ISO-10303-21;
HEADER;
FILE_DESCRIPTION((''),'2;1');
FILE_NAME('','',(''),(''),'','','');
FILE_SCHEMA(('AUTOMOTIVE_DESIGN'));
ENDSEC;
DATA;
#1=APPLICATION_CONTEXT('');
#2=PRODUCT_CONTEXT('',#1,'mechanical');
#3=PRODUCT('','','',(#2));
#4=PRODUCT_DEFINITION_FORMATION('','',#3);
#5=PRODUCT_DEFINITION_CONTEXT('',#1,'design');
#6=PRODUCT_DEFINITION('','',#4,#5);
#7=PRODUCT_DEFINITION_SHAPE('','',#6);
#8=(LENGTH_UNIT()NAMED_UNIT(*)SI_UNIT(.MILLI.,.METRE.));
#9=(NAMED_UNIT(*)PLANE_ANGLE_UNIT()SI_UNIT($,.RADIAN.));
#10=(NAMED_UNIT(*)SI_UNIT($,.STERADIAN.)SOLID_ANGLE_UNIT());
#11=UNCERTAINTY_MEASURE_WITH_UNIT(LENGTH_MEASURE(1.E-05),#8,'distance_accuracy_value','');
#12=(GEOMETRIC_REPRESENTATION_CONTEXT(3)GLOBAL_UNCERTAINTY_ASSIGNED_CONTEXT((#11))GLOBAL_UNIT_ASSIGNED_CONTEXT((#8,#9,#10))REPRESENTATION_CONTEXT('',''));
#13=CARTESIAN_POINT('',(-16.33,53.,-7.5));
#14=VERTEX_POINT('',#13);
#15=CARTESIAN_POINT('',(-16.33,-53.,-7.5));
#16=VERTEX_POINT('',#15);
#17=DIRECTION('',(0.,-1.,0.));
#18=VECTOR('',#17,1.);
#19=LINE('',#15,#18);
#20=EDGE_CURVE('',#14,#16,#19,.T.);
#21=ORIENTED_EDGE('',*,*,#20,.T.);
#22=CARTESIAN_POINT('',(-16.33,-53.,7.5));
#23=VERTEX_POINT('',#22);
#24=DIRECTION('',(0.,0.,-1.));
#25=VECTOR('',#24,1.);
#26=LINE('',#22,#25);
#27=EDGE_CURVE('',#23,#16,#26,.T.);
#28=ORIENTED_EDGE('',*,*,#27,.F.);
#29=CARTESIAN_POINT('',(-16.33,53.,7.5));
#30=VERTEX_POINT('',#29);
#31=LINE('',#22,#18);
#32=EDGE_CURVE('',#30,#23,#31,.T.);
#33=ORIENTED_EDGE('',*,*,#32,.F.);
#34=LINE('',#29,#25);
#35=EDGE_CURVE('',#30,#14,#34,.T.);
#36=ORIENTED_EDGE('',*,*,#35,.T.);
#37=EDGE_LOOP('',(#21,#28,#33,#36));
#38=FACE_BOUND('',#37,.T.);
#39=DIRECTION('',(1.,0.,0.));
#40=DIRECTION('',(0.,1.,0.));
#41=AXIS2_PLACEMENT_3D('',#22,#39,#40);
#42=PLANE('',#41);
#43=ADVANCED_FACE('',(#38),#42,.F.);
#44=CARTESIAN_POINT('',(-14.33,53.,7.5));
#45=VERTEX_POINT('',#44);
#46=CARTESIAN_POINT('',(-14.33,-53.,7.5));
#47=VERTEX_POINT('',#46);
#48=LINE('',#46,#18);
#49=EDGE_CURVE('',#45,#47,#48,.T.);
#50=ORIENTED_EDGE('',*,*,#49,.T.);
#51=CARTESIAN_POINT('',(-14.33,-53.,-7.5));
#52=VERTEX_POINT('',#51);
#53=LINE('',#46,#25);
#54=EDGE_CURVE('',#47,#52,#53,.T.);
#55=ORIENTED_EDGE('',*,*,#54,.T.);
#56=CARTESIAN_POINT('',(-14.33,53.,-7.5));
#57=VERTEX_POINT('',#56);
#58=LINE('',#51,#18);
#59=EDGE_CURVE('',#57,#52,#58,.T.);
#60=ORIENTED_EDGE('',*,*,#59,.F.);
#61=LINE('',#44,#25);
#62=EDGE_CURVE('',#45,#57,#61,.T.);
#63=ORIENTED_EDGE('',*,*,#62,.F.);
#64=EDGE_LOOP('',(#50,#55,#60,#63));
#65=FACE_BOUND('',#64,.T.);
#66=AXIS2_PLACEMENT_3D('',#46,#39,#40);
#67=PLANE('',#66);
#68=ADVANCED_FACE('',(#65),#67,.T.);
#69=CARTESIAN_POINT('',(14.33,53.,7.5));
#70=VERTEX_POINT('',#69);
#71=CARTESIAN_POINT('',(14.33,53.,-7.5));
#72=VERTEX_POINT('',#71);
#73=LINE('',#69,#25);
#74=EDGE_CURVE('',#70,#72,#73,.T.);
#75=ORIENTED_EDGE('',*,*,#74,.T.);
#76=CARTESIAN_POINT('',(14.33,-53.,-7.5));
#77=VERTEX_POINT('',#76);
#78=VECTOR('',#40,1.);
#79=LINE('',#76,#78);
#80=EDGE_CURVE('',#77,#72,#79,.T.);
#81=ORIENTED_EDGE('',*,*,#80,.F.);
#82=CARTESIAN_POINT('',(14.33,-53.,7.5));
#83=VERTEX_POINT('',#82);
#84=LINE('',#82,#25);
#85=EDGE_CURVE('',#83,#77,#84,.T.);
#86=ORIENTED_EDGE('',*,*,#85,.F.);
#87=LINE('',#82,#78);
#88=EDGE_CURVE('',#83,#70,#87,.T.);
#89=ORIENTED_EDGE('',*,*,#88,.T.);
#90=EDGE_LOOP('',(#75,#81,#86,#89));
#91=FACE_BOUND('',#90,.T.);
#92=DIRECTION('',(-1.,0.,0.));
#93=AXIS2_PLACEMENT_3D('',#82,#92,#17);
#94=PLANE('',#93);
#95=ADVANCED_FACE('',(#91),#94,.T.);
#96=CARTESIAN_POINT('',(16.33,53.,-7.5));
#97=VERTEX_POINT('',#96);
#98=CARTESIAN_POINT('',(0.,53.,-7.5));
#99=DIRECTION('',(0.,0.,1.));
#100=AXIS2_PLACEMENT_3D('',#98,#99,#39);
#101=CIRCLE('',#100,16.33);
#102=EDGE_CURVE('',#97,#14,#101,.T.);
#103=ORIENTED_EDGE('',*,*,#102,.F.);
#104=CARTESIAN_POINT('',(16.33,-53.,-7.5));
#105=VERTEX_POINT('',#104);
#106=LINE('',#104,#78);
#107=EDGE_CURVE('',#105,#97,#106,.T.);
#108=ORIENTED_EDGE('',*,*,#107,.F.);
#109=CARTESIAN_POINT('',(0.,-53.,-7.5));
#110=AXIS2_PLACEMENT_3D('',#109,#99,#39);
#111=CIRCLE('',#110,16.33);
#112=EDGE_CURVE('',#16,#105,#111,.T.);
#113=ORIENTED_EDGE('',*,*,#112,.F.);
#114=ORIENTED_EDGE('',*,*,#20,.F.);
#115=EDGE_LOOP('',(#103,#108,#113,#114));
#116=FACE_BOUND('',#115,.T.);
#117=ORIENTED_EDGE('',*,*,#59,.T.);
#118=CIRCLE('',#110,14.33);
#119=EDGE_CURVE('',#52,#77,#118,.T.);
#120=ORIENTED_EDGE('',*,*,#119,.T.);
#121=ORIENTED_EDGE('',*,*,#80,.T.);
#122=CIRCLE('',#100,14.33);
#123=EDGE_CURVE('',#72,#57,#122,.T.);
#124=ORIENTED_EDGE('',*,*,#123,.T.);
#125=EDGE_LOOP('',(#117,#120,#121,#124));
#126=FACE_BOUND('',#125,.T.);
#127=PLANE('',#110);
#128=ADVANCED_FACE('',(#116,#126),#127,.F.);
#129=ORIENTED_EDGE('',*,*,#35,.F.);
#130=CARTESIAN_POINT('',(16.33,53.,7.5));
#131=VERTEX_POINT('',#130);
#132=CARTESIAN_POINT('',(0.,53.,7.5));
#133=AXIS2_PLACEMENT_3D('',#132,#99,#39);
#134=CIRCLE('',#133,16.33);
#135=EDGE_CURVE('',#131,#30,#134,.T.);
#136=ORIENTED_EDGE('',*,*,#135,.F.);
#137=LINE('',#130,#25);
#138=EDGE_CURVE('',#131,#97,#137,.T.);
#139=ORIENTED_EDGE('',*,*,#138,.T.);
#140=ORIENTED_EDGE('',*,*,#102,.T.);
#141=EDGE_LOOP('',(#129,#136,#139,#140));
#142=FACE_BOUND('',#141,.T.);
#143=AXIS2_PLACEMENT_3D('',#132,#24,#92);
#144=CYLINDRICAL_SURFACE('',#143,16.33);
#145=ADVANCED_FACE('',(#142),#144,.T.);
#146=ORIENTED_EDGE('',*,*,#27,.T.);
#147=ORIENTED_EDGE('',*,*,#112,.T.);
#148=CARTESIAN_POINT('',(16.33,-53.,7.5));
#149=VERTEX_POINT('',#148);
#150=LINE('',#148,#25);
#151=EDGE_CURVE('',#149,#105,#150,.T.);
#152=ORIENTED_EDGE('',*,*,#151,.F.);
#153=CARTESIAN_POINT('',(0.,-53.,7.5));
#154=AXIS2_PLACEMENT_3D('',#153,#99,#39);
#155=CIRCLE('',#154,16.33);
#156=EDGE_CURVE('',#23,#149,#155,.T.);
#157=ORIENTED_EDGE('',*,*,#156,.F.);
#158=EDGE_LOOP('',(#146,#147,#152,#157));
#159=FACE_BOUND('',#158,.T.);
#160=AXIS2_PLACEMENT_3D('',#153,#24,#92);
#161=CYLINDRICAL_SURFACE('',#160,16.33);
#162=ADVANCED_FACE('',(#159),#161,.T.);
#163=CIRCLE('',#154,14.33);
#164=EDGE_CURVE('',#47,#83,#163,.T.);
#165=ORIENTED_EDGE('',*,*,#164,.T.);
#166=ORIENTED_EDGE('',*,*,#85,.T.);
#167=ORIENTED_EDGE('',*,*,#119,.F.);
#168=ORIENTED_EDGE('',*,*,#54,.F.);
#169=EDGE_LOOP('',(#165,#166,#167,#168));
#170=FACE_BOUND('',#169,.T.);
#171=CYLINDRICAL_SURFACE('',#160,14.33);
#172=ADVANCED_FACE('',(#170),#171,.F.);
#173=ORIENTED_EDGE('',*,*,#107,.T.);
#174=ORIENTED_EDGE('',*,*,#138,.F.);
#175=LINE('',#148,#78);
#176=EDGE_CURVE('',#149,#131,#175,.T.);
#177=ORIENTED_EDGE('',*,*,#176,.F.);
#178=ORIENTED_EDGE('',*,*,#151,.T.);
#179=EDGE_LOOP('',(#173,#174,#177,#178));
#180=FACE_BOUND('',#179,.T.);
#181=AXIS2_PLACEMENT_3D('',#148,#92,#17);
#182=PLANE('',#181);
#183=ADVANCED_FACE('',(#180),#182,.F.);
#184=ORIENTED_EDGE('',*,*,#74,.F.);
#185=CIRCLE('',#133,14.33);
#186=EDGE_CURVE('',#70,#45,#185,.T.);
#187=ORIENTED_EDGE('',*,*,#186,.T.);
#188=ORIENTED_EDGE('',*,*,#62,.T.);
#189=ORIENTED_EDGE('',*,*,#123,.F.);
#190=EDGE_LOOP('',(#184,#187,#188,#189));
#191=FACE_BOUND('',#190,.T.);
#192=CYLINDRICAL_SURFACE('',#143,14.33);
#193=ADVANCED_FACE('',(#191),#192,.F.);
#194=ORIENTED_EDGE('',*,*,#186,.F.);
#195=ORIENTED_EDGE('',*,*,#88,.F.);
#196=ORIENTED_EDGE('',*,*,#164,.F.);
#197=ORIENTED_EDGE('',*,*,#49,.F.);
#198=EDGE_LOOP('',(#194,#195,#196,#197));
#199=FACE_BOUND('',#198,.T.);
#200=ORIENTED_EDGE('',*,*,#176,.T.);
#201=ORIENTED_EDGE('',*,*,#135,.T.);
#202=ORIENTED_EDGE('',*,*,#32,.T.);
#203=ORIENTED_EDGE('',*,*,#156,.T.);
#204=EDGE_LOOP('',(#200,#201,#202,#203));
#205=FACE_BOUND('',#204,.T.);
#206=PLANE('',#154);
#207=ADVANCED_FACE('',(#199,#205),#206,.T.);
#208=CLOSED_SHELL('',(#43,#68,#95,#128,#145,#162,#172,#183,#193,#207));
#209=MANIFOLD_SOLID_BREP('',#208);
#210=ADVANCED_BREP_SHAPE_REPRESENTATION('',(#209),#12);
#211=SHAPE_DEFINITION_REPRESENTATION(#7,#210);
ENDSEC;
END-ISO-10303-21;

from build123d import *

# Parameters (mm, degrees)
EXTRUDE_1_DEPTH = 7.5


with BuildPart() as part:
    # 草图1 → 拉伸-薄壁1 (new body, symmetric)
    with BuildSketch(Plane.XY):
        with BuildLine():
            Line((16.33, 53), (16.33, -53))
            ThreePointArc((16.33, -53), (0, -69.33), (-16.33, -53))
            Line((-16.33, -53), (-16.33, 53))
            ThreePointArc((-16.33, 53), (0, 69.33), (16.33, 53))
        make_face()
        with BuildLine():
            Line((14.33, 53), (14.33, -53))
            ThreePointArc((14.33, -53), (0, -67.33), (-14.33, -53))
            Line((-14.33, -53), (-14.33, 53))
            ThreePointArc((-14.33, 53), (0, 67.33), (14.33, 53))
        make_face(mode=Mode.SUBTRACT)
    extrude(amount=EXTRUDE_1_DEPTH, both=True)


solid = part.part
